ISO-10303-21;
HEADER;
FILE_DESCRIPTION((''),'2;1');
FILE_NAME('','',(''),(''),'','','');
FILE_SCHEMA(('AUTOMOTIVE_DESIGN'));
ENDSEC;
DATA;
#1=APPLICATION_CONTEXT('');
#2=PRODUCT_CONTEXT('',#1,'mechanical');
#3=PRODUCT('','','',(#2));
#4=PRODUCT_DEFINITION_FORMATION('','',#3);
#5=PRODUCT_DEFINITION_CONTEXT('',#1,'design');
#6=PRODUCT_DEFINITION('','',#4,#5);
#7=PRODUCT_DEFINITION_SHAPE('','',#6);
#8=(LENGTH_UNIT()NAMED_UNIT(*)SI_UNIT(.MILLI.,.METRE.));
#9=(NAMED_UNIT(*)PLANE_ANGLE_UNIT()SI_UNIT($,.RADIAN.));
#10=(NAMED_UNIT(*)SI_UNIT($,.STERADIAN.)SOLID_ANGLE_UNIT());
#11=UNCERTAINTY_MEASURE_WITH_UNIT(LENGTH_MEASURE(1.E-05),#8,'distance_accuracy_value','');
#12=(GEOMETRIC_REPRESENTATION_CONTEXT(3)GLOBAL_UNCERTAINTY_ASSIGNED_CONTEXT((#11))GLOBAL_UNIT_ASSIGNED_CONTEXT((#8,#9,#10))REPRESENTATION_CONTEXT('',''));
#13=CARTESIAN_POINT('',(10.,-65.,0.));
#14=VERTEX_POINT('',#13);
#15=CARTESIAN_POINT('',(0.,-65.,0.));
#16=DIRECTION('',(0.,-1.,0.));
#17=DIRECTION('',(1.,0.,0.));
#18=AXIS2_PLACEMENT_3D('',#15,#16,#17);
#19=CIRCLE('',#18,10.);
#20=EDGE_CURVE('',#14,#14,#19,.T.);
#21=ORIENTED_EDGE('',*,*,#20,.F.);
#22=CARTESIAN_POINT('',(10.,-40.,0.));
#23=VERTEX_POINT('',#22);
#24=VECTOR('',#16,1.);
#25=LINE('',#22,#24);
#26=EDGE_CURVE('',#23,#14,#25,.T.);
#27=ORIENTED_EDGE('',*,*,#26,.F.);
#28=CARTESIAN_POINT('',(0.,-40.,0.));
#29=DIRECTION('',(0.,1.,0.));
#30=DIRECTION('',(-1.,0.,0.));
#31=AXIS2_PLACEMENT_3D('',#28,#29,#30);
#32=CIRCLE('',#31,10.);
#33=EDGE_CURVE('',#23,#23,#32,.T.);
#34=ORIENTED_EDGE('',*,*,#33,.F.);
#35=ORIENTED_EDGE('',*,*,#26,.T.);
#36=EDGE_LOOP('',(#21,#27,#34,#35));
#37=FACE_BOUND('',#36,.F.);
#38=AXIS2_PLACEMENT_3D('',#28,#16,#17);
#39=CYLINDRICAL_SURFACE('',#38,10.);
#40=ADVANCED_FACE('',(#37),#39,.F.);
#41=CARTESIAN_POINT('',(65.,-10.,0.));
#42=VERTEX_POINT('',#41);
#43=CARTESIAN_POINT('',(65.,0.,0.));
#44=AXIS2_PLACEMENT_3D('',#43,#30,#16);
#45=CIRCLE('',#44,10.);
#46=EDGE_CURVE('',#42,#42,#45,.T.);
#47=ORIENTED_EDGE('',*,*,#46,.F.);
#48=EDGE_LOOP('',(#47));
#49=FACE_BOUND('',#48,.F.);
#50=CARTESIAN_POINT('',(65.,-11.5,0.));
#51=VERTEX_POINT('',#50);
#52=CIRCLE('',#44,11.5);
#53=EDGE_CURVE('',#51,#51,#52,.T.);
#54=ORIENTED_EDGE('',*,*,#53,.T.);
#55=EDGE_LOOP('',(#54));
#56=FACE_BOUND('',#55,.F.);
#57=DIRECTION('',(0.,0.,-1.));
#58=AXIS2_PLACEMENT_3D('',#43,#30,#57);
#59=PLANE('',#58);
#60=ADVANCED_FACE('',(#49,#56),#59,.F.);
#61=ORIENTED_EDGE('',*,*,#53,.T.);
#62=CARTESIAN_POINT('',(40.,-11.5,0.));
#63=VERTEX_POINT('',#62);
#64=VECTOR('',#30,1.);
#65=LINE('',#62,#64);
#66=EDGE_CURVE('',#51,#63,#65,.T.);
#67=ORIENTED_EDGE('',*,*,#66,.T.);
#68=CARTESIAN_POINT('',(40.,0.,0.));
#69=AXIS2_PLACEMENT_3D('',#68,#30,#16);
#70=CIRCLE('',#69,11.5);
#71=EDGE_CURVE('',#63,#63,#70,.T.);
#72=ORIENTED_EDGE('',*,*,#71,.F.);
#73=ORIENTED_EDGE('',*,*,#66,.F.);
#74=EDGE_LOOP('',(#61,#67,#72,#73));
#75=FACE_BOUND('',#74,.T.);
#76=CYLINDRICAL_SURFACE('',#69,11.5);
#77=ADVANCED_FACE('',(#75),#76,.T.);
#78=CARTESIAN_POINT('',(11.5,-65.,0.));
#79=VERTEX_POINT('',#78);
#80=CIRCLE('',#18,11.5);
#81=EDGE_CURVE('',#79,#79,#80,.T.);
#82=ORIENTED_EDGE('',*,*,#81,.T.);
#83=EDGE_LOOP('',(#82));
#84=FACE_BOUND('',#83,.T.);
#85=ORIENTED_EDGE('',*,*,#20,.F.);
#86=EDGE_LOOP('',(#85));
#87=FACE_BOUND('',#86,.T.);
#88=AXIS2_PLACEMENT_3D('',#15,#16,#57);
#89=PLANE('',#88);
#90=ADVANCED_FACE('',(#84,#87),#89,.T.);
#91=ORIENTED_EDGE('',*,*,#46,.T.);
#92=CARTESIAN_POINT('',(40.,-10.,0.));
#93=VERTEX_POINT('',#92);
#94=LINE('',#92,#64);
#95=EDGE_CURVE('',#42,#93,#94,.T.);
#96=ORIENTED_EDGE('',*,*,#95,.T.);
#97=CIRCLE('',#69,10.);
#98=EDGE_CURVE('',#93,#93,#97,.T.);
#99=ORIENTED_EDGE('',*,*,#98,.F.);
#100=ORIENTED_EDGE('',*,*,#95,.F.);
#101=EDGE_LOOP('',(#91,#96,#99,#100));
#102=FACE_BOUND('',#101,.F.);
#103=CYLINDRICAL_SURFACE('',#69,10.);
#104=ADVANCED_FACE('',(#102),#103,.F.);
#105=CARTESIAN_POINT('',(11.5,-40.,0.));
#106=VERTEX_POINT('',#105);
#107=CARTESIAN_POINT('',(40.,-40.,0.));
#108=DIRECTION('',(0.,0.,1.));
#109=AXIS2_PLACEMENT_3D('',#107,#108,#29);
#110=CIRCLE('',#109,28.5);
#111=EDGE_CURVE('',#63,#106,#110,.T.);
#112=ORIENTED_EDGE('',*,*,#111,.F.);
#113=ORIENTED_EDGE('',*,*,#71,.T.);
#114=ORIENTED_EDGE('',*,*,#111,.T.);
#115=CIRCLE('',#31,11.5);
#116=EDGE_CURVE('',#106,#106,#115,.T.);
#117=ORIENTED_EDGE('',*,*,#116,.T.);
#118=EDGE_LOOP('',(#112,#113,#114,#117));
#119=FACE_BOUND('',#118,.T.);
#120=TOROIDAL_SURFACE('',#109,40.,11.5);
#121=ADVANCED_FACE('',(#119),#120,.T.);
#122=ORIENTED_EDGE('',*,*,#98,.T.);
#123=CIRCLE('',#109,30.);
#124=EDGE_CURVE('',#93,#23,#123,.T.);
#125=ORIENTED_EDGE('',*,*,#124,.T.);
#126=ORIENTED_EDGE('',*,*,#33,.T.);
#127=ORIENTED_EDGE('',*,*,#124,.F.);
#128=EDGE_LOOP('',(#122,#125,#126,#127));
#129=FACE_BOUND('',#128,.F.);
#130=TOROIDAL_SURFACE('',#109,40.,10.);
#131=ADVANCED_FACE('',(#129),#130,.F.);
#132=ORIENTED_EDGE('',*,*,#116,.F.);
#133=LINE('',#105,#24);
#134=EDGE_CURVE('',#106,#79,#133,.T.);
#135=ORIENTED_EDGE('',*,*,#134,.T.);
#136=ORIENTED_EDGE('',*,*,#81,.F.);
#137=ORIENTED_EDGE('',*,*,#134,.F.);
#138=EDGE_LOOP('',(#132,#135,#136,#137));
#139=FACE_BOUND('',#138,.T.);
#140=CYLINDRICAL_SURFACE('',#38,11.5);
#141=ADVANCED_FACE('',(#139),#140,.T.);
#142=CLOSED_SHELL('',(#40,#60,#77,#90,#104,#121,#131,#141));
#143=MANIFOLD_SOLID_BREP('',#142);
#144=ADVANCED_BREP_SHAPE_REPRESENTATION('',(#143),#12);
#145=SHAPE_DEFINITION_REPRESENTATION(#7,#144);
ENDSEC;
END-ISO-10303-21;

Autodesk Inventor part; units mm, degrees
ref_plane "YZ Plane" through (0, 0, 0) normal (1, 0, 0) x (0, 1, 0)
ref_plane "XZ Plane" through (0, 0, 0) normal (0, 1, 0) x (-1, 0, 0)
sketch "Szkic6" plane through (0, 0, 0) normal (0, 0, 1) x (1, 0, 0)
  line L0 (-29.6067, 0) -> (35.2678, 0) construction
  line L1 (0, 42.3419) -> (0, -58.3726) construction
  arc A0 (40, 0) -> (0, -40) centre (40, -40) ccw
  line L2 (0, -40) -> (40, -40) construction
  line L3 (40, -40) -> (40, 25.5331) construction
  line L4 (40, 0) -> (65, 0)
  line L5 (0, -40) -> (0, -65)
  point P0 (0, 0)
  dimension "d24" = 40
  dimension "d31" = 90
  dimension "d36" = 25
  dimension "d37" = 25
ref_plane "Płaszczyzna konstrukcyjna2" through (0, -40, 0) normal (0, -1, 0) x (1, 0, 0)
sketch "Szkic8" plane through (0, -40, 0) normal (0, -1, 0) x (1, 0, 0)
  circle A0 centre (0, 0) radius 11.5
  circle A1 centre (0, 0) radius 10
  dimension "d32" = 23
  dimension "d33" = 1.5
sweep "Przeciągnięcie2" add profiles "Szkic8" path "Szkic6"
equation "\"d32\" = OD"
equation "\"d33\" = THK"
equation "\"d24\" = R"
equation "\"d31\" = KAT"
equation "\"d36\" = PROSTKA"
equation "\"d37\" = PROSTKA"
equation "\"SzerokośćGięciaPodcięcia\" = Grubość"
equation "\"RozmiarPodcięciaNarożnika\" = 4 * Grubość"
equation "\"PromieńPrzejścia\" = PromieńGięcia"
equation "\"Rozmiar_promienia_Jacobiego\" = PromieńGięcia"
equation "\"Wielk_odstępu\" = Grubość"
equation "\"d2\" = PromieńGięcia"
equation "\"d23\" = PromieńGięcia"
equation "\"R\" = 40"
equation "\"OD\" = 23"
equation "\"THK\" = 1.5"
equation "\"KAT\" = 90deg"
equation "\"PROSTKA\" = 25"
equation "\"Grubość\" = 1.5"
equation "\"PromieńGięcia\" = 3"
properties part number "Kolano 90° ø23x1,5 R40" material "304L"
